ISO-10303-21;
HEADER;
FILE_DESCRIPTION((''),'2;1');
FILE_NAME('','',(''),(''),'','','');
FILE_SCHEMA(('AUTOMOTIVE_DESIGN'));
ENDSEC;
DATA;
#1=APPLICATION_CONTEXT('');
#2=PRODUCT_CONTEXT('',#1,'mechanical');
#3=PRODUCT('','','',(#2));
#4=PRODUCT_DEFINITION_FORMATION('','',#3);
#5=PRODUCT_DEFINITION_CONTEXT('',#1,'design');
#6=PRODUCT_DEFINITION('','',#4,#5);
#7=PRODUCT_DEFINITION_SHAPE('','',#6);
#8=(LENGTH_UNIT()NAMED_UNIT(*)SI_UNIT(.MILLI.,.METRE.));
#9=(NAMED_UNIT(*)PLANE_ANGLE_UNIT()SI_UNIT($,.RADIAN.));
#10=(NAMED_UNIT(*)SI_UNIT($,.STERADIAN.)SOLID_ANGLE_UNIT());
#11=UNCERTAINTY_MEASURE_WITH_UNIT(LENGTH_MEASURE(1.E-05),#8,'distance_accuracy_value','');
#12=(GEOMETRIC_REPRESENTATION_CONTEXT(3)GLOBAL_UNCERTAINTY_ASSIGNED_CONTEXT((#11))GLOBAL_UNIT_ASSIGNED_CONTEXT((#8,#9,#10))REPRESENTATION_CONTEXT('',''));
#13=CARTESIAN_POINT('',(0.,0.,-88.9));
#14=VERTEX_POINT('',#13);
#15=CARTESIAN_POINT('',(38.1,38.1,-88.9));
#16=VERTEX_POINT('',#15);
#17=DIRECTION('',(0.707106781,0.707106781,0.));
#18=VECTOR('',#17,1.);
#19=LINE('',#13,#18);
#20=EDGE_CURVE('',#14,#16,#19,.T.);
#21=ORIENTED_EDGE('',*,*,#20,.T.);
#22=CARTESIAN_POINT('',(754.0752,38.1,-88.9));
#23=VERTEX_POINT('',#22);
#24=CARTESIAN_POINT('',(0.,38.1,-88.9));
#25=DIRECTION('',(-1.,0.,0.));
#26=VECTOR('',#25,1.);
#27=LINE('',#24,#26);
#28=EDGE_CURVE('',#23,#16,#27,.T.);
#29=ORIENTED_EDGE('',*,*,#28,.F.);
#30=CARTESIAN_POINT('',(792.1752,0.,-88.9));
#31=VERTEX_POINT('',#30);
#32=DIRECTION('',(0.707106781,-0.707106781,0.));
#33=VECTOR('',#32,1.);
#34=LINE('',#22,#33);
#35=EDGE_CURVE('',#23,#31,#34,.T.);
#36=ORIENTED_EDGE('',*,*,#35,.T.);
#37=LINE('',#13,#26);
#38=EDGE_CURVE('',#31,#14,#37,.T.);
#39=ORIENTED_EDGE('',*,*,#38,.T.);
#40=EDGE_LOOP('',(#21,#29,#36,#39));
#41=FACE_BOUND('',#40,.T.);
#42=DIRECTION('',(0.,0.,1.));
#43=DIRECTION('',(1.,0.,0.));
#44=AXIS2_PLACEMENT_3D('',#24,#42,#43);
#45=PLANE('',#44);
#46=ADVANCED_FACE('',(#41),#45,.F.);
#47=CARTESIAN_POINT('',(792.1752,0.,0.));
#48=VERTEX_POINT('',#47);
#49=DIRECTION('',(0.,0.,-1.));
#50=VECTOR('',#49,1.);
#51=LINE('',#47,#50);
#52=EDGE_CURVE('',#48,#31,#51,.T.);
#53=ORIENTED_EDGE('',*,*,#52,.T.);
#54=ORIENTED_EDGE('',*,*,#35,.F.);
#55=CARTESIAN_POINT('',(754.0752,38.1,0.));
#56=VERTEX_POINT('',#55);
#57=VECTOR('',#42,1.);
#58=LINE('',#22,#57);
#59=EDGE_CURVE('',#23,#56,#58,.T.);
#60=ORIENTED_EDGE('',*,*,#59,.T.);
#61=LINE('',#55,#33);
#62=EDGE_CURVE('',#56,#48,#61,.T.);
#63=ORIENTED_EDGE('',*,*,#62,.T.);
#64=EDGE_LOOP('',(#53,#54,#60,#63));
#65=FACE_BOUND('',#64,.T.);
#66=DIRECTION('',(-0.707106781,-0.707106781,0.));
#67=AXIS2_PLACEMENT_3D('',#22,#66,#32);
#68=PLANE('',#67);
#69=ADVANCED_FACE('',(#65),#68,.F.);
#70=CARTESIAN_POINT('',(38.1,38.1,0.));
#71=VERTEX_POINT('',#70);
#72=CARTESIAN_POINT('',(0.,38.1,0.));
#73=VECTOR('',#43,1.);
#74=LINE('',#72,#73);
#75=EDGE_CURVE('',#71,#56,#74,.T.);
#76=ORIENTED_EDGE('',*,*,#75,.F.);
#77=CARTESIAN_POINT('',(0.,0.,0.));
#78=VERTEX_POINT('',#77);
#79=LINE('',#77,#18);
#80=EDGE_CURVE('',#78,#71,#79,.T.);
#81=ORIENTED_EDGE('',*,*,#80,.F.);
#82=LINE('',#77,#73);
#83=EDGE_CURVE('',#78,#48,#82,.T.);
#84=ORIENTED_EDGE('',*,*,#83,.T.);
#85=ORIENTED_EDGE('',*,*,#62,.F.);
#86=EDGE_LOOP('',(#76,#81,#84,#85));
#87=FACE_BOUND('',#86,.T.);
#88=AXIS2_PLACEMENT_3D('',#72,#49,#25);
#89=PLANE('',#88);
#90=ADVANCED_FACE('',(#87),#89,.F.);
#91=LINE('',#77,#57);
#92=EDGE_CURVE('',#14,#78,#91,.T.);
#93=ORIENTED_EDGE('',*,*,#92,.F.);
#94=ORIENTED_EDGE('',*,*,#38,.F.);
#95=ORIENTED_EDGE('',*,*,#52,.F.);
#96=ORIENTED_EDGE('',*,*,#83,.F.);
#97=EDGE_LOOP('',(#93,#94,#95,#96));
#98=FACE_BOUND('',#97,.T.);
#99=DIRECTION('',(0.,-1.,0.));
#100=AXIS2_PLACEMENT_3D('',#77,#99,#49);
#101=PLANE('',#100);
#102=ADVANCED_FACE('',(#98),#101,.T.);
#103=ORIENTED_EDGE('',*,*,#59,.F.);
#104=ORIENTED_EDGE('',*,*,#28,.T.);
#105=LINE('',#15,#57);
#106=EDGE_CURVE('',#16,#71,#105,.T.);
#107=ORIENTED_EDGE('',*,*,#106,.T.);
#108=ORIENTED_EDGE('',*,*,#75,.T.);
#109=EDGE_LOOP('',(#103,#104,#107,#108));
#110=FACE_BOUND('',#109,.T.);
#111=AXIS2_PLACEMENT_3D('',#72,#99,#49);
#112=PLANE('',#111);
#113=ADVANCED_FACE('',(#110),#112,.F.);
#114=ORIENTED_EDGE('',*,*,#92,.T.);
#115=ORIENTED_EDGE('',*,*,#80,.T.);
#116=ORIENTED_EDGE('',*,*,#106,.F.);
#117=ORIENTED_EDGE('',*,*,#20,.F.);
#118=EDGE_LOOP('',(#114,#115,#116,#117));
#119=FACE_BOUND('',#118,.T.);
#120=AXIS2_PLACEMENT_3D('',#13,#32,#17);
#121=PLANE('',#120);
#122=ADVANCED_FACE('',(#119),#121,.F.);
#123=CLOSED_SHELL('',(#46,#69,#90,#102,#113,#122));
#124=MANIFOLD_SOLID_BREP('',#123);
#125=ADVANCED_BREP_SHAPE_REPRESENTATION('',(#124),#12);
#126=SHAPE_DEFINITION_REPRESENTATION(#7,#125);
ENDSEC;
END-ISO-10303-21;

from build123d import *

# Parameters (mm, degrees)
SKETCH1_W           = 792.1752
SKETCH1_H           = 88.9
BOSS_EXTRUDE1_DEPTH = 38.1
CUT_EXTRUDE1_DEPTH  = 89.9


with BuildPart() as part:
    # Sketch1 → Boss-Extrude1 (new body)
    with BuildSketch(Plane(origin=(0, 0, 0), x_dir=(1, 0, 0), z_dir=(0, 1, 0))):
        with Locations((396.0876, 44.45)):
            Rectangle(SKETCH1_W, SKETCH1_H)
    extrude(amount=BOSS_EXTRUDE1_DEPTH)

    # Sketch2 → Cut-Extrude1 (cut, through all)
    with BuildSketch(Plane.XY):
        Polygon((0, 0), (38.1, 38.1), (0, 38.1), align=None)
        Polygon((792.1752, 0), (792.1752, 38.1), (754.0752, 38.1), align=None)
    extrude(amount=-CUT_EXTRUDE1_DEPTH, mode=Mode.SUBTRACT)


solid = part.part
